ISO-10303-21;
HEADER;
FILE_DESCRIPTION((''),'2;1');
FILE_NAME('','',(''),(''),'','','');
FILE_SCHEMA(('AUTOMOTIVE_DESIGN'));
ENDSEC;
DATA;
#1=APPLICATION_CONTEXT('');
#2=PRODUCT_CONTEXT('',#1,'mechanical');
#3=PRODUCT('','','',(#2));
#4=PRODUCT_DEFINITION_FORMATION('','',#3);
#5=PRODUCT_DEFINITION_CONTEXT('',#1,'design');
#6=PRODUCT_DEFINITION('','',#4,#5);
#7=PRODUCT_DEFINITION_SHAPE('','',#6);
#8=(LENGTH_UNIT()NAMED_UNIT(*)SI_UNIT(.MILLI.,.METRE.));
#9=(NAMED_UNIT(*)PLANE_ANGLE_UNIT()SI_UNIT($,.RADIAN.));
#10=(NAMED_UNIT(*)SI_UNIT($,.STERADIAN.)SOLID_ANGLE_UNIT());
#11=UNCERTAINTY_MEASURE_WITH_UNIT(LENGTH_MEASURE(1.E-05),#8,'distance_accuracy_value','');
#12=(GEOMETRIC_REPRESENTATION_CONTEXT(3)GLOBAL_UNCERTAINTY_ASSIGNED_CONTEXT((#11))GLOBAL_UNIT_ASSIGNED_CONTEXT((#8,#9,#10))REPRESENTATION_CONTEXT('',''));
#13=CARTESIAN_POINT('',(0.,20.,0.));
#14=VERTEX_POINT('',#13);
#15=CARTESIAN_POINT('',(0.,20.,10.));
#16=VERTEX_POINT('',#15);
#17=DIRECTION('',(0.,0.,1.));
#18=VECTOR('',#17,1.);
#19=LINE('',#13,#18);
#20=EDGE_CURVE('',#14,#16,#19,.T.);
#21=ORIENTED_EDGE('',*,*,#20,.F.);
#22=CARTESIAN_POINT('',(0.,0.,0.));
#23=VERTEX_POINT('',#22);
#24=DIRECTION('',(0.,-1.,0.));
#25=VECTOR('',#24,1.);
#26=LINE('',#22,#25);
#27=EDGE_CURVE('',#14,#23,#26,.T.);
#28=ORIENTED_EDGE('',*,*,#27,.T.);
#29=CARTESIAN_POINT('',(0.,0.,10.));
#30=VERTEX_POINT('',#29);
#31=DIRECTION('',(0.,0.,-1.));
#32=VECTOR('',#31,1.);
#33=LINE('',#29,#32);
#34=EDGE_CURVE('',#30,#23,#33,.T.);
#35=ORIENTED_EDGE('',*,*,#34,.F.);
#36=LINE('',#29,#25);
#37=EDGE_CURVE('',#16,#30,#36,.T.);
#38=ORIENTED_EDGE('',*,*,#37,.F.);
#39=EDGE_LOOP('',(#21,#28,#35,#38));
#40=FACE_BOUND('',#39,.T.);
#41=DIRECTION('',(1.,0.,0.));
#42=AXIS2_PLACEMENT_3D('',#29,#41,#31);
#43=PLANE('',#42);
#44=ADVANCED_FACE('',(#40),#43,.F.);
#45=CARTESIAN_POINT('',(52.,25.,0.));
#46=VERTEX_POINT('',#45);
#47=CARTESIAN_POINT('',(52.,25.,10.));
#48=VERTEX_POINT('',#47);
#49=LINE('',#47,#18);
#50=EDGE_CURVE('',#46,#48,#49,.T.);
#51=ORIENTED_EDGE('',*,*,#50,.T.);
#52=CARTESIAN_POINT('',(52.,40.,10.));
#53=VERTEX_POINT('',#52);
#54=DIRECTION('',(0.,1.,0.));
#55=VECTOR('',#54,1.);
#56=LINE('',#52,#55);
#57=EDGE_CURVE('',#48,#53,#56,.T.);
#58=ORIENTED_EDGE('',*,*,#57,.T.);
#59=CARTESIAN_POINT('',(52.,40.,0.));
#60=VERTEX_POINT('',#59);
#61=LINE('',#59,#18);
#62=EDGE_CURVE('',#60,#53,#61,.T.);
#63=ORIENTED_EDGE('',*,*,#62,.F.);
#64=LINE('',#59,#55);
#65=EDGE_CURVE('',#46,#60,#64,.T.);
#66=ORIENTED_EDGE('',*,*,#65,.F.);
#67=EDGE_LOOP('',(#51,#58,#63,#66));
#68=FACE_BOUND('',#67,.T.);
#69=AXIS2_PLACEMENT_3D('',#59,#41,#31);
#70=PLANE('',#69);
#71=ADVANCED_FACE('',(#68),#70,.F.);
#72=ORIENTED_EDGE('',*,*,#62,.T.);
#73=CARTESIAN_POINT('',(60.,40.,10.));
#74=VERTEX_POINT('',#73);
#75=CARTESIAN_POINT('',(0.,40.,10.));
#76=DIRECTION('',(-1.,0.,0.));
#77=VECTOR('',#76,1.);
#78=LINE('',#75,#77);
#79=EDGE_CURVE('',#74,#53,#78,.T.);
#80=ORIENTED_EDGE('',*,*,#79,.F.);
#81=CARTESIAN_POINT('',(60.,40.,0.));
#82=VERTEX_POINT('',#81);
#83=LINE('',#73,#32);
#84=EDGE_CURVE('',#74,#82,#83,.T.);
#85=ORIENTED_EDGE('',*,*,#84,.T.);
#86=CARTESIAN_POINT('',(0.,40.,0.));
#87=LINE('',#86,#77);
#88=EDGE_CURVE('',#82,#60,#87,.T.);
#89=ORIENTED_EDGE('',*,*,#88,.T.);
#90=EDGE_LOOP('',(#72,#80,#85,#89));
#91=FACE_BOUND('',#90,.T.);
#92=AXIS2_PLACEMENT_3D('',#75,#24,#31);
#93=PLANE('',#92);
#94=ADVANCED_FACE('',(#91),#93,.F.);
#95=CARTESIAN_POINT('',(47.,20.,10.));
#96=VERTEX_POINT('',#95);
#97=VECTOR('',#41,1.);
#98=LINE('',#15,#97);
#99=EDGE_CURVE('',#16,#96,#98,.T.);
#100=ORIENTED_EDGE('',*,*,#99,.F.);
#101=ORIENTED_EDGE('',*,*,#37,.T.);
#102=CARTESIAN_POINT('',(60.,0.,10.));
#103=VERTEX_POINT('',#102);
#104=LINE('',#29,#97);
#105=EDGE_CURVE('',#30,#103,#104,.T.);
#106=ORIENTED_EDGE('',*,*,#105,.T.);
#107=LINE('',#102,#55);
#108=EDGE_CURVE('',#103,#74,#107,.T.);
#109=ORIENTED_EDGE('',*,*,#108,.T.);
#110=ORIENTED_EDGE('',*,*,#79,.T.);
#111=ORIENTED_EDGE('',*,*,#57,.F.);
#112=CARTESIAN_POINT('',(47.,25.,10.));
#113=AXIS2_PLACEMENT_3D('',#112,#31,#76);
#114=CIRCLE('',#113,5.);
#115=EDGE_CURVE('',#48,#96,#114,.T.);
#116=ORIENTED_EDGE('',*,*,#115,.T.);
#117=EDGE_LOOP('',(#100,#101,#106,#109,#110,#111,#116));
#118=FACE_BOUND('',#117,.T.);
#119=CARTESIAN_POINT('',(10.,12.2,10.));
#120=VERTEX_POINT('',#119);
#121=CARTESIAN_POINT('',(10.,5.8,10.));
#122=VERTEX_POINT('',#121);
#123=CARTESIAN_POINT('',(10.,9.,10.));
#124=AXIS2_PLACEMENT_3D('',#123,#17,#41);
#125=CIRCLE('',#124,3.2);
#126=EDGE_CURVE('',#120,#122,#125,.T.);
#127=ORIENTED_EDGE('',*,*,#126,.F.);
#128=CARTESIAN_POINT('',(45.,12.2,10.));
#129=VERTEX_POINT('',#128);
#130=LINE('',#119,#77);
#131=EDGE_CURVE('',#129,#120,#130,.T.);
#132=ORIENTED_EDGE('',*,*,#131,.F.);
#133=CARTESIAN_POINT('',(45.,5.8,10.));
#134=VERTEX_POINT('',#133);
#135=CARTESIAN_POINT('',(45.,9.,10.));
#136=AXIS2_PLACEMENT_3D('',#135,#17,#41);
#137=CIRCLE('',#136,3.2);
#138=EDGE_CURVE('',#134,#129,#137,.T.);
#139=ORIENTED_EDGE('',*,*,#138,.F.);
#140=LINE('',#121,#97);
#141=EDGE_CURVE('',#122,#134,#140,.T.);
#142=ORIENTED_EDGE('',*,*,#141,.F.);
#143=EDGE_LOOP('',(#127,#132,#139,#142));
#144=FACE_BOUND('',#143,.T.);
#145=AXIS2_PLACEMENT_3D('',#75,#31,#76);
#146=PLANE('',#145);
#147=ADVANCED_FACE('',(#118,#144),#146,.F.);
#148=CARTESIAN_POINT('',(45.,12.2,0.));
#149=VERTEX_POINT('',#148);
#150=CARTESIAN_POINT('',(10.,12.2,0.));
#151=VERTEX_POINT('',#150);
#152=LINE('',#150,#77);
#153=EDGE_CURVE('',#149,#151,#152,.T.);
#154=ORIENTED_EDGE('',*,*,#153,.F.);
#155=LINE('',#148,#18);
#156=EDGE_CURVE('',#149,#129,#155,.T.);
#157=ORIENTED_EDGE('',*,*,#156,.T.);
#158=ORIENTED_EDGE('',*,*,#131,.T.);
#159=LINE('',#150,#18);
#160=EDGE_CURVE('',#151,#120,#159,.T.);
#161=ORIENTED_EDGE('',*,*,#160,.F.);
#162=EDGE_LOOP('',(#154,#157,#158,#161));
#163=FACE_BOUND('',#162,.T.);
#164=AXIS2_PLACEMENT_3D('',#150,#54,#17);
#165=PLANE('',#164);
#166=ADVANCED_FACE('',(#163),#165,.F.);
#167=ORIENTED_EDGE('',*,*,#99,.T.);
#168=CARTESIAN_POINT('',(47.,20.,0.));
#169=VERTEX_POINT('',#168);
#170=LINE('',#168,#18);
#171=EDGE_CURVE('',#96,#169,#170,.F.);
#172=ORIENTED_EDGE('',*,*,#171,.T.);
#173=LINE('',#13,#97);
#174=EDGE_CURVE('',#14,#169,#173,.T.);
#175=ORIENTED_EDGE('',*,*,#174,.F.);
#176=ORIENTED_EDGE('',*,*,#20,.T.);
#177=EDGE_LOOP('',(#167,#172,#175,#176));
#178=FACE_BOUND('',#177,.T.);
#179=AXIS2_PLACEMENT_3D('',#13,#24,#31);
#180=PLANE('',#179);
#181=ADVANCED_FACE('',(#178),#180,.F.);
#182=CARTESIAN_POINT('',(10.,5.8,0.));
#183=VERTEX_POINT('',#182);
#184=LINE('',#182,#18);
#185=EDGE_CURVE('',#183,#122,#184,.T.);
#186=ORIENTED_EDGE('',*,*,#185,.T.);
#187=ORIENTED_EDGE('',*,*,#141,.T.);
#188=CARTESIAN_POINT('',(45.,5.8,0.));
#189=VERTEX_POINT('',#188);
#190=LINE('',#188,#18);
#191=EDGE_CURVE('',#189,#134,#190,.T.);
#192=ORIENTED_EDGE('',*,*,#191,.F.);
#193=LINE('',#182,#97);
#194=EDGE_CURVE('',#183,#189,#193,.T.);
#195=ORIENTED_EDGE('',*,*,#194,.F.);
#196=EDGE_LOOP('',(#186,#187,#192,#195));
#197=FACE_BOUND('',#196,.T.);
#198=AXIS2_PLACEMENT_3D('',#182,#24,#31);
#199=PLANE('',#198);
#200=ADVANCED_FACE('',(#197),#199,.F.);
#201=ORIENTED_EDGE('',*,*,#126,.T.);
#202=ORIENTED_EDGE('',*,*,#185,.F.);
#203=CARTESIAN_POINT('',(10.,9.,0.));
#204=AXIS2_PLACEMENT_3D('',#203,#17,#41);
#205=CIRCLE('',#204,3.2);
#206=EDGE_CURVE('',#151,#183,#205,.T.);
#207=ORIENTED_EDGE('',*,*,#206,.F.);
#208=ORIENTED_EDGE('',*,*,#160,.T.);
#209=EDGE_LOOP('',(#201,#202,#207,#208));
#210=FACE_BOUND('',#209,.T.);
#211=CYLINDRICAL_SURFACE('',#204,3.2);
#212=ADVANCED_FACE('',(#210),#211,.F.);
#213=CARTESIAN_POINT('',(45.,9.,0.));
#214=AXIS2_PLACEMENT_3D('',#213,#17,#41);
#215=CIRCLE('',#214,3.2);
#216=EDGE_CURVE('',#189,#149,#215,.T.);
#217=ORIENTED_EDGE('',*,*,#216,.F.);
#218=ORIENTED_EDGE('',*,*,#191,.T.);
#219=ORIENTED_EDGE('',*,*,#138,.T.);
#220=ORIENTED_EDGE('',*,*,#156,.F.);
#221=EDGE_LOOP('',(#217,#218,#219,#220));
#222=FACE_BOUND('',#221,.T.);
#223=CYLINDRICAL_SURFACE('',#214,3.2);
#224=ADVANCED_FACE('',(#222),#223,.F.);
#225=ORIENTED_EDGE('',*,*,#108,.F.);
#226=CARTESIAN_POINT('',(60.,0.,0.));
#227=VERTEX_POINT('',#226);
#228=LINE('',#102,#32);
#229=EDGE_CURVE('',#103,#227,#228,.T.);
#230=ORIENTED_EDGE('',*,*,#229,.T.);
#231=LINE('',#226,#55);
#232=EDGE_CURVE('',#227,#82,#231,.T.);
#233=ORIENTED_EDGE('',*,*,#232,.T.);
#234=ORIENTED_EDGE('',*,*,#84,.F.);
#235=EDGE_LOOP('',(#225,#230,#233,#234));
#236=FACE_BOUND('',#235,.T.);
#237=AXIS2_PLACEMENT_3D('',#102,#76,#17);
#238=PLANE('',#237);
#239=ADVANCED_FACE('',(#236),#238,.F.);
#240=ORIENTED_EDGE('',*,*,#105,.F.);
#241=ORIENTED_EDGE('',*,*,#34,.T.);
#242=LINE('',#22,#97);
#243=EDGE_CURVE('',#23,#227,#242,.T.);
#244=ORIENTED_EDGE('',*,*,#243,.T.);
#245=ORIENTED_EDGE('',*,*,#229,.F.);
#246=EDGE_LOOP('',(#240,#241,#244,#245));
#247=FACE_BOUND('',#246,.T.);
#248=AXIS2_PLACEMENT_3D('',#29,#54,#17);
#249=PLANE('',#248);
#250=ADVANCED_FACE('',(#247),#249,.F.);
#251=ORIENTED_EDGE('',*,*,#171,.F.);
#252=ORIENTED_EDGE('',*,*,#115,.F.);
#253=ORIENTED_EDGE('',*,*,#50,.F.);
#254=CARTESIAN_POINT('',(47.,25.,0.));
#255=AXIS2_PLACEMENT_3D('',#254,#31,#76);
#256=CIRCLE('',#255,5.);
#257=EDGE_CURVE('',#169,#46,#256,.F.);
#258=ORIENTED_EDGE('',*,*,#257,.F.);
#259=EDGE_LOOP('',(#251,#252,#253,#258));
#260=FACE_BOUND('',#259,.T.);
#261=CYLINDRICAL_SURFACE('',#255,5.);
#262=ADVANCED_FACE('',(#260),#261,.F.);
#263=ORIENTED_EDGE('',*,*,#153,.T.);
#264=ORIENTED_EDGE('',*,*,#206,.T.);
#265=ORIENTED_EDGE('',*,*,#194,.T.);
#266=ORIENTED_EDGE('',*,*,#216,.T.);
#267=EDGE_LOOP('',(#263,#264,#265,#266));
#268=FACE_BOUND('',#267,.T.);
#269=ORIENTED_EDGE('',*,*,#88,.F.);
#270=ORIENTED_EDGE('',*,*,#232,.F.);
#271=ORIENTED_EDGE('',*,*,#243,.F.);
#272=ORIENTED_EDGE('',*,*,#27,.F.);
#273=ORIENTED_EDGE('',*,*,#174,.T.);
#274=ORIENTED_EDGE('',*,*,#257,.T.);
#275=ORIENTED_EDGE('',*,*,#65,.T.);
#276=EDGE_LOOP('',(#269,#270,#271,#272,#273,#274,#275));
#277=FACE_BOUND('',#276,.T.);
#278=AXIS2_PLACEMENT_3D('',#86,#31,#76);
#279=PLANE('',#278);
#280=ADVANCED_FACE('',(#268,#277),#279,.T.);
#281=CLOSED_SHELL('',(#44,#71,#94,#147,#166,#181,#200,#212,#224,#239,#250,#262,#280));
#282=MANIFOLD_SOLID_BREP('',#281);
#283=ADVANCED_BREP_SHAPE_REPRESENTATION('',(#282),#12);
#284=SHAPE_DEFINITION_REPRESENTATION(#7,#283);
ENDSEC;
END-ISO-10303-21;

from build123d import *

# Parameters (mm, degrees)
SKETCH_1_W          = 60
SKETCH_1_H          = 40
EXTRUDE_1_DEPTH     = 10
SKETCH_2_W          = 52
SKETCH_2_H          = 20
CUT_EXTRUDE_1_DEPTH = 73.801098893
FILLET_1_R          = 5
CUT_EXTRUDE_2_DEPTH = 73.801098893


with BuildPart() as part:
    # 草图1 → 凸台-拉伸1 (new body)
    with BuildSketch(Plane.XY):
        with Locations((30, 20)):
            Rectangle(SKETCH_1_W, SKETCH_1_H)
    extrude(amount=EXTRUDE_1_DEPTH)

    # 草图2 → 切除-拉伸1 (cut, through all)
    with BuildSketch(Plane.XY.offset(10)):
        with Locations((26, 30)):
            Rectangle(SKETCH_2_W, SKETCH_2_H)
    extrude(amount=-CUT_EXTRUDE_1_DEPTH, mode=Mode.SUBTRACT)

    # 圆角1
    fillet_1_edges = [part.edges().sort_by_distance(p)[0] for p in [
        (52, 20, 5),
    ]]
    fillet(fillet_1_edges, radius=FILLET_1_R)

    # 草图3 → 切除-拉伸2 (cut, through all)
    with BuildSketch(Plane.XY.offset(10)):
        with BuildLine():
            Line((10, 12.2), (45, 12.2))
            ThreePointArc((45, 12.2), (48.2, 9), (45, 5.8))
            Line((45, 5.8), (10, 5.8))
            ThreePointArc((10, 5.8), (6.8, 9), (10, 12.2))
        make_face()
    extrude(amount=-CUT_EXTRUDE_2_DEPTH, mode=Mode.SUBTRACT)


solid = part.part
